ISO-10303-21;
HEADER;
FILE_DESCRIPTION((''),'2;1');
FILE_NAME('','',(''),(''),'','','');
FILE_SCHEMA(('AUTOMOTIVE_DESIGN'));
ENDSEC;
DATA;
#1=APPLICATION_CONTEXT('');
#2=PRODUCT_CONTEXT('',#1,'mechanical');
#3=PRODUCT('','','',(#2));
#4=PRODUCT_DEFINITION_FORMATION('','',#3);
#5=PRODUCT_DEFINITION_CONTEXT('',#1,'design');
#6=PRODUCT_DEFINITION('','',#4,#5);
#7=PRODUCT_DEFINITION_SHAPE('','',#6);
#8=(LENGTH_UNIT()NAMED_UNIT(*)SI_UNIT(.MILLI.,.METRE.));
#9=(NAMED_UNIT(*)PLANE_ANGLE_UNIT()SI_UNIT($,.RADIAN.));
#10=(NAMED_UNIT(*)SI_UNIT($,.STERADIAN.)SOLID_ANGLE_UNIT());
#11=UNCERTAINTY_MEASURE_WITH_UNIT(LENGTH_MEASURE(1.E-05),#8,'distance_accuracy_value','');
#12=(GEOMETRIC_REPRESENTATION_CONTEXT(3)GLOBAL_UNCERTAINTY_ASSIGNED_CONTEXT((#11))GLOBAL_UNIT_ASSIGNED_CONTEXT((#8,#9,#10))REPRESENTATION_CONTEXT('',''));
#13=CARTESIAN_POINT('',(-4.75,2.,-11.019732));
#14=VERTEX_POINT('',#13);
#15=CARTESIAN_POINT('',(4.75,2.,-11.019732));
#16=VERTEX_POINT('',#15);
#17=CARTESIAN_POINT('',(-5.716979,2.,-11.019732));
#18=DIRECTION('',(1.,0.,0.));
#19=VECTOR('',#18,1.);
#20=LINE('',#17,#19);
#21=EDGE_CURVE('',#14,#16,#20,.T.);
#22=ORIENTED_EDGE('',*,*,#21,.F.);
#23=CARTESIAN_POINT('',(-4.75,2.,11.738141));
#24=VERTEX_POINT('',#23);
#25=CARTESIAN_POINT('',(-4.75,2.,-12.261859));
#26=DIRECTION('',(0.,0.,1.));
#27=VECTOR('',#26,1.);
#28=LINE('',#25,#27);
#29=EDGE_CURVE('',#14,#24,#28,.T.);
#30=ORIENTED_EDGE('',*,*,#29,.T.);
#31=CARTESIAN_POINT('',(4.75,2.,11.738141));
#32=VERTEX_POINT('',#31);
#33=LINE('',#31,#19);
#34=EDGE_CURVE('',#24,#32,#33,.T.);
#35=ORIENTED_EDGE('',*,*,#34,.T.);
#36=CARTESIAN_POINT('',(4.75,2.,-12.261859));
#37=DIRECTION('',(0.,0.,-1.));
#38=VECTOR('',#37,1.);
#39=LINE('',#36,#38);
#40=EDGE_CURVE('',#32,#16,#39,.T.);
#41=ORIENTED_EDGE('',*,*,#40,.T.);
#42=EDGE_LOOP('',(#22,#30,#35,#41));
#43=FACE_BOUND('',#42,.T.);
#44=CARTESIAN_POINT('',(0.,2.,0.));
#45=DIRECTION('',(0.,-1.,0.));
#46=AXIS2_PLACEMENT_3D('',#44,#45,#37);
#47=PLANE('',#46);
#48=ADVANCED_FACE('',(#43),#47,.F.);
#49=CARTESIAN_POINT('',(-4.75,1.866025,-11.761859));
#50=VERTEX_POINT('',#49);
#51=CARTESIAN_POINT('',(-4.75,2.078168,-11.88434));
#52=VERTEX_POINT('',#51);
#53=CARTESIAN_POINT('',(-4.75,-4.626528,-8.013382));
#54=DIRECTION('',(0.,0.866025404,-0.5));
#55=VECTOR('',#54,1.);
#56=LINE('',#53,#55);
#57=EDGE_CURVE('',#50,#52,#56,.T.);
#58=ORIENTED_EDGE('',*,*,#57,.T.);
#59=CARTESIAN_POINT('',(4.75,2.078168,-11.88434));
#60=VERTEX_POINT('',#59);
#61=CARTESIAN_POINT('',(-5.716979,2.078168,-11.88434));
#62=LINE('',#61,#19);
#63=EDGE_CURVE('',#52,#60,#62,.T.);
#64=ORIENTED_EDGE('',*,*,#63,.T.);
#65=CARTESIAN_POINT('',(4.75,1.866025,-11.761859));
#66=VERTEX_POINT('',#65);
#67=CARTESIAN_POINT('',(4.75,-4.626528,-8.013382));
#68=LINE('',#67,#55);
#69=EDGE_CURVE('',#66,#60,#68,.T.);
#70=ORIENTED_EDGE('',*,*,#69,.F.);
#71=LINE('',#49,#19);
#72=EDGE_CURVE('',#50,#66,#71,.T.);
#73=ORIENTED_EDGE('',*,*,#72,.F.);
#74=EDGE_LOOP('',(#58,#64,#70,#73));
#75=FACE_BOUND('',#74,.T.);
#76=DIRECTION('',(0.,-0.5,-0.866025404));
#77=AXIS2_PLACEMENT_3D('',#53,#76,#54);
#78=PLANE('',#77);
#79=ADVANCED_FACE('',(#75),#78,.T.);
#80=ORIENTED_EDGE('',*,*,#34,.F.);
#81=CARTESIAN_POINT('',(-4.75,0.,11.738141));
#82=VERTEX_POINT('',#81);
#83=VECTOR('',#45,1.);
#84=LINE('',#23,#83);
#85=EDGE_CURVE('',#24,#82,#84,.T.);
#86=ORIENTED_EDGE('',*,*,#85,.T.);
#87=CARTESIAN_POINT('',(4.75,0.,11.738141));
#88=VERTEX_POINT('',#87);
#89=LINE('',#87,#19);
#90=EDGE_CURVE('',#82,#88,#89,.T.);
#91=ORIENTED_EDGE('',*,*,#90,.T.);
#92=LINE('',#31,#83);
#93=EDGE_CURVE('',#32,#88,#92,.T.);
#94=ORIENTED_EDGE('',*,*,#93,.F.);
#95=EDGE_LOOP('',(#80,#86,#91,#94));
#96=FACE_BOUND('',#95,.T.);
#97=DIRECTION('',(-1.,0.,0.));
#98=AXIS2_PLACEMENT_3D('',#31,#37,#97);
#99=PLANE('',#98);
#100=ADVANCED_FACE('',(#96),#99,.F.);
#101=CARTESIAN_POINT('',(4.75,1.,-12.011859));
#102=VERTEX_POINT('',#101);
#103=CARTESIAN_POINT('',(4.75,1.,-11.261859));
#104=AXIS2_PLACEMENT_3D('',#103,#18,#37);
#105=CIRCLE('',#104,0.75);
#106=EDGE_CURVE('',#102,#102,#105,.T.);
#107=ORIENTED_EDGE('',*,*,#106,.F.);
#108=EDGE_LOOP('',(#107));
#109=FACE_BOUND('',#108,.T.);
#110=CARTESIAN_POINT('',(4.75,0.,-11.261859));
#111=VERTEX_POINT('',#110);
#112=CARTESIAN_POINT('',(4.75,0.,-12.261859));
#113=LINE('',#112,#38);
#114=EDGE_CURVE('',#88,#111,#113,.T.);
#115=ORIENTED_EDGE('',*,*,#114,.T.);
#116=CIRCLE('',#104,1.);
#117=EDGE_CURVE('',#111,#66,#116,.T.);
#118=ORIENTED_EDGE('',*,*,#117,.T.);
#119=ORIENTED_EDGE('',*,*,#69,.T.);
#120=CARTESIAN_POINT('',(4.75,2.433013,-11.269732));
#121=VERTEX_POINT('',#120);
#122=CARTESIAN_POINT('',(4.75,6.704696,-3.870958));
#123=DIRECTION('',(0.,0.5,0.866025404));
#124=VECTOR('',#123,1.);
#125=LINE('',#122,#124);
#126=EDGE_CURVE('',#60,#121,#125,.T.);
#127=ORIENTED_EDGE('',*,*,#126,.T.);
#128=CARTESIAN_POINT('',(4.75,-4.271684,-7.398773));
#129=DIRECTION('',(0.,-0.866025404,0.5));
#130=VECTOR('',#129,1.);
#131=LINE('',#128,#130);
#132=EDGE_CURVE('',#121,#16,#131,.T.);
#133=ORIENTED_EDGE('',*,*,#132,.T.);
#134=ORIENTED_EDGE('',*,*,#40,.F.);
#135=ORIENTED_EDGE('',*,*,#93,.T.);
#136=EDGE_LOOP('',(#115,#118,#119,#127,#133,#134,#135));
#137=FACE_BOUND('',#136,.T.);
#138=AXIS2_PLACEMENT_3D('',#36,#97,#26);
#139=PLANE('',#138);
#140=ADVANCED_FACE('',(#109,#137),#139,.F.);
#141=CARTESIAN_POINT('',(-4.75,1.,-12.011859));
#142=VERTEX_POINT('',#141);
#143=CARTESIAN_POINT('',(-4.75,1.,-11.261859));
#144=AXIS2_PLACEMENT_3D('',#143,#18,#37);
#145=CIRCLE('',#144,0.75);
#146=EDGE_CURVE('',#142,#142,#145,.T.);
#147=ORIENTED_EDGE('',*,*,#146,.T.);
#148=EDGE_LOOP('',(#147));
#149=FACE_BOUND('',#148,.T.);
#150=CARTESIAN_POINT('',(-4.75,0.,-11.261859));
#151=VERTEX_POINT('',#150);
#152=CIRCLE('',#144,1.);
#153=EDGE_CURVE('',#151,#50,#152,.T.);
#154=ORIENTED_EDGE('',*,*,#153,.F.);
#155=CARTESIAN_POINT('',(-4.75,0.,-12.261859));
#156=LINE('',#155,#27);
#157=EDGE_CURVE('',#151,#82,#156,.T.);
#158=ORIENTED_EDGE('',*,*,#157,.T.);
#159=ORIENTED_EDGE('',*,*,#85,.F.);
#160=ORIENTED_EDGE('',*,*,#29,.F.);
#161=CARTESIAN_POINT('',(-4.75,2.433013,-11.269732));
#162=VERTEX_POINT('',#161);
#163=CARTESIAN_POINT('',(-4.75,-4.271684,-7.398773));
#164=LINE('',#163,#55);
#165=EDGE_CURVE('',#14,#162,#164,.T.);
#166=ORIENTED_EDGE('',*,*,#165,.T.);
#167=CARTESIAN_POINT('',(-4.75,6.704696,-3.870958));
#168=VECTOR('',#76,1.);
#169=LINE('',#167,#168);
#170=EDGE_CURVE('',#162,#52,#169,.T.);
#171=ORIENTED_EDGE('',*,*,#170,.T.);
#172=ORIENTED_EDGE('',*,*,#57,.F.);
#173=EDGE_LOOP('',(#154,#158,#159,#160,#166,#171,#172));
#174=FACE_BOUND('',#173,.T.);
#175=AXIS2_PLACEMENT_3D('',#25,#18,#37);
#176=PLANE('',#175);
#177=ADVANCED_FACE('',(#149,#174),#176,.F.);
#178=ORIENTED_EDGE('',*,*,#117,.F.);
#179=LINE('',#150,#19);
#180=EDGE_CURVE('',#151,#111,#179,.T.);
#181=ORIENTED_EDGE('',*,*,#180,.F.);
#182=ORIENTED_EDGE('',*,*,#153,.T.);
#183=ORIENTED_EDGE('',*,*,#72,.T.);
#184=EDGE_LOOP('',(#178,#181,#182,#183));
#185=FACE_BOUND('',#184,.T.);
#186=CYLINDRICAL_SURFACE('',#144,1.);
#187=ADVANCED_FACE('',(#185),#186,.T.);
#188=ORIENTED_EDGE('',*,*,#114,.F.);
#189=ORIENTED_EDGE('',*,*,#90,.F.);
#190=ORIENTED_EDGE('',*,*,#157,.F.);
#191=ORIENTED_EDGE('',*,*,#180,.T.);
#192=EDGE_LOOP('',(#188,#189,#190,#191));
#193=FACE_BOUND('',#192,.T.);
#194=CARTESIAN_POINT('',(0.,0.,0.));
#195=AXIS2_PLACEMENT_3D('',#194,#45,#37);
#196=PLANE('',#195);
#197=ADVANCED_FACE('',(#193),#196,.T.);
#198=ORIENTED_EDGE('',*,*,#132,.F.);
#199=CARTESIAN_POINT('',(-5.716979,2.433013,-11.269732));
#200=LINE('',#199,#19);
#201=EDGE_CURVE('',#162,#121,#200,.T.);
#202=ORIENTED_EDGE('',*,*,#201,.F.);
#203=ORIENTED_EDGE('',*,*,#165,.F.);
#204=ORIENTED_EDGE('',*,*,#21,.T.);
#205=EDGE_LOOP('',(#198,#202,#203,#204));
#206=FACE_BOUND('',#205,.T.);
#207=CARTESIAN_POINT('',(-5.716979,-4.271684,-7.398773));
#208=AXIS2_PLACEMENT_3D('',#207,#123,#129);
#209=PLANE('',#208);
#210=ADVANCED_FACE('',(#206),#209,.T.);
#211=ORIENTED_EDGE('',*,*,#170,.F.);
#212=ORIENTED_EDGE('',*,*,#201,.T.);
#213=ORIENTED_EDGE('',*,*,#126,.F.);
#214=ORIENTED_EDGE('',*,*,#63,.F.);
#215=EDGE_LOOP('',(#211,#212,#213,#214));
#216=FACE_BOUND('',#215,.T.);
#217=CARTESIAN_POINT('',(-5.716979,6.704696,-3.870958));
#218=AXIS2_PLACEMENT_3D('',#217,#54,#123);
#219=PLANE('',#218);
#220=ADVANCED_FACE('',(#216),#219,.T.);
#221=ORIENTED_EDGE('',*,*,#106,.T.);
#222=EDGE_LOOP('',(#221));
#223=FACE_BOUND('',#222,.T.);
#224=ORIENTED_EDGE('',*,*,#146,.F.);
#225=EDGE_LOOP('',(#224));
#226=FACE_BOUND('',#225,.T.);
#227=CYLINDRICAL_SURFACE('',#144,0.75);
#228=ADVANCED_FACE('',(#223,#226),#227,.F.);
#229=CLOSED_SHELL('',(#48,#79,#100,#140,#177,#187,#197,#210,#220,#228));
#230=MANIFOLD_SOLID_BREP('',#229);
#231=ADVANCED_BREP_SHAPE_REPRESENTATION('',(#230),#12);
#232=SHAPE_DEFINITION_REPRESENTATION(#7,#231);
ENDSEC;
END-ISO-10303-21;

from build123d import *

# Parameters (mm, degrees)
SKETCH_1_W          = 9.5
SKETCH_1_H          = 24
EXTRUDE_1_DEPTH     = 2
SKETCH_5_R          = 0.75
CUT_EXTRUDE_4_DEPTH = 10.5
EXTRUDE_2_DEPTH     = 9.5


with BuildPart() as part:
    # 草图1 → 凸台-拉伸1 (new body)
    with BuildSketch(Plane(origin=(0, 0, 0), x_dir=(1, 0, 0), z_dir=(0, 1, 0))):
        with Locations((0, 0.261859188)):
            Rectangle(SKETCH_1_W, SKETCH_1_H)
    extrude(amount=EXTRUDE_1_DEPTH)

    # 草图5 → 切除-拉伸4 (cut, through all)
    with BuildSketch(Plane(origin=(4.75, 0, 0), x_dir=(0, 0, -1), z_dir=(1, 0, 0))):
        with BuildLine():
            Line((12.261859188, 0), (12.261859188, 1))
            ThreePointArc((12.261859188, 1), (11.968965969, 0.292893219), (11.261859188, 0))
            Line((11.261859188, 0), (12.261859188, 0))
        make_face()
        with BuildLine():
            Line((11.839209457, 2), (11.761859188, 1.866025404))
            ThreePointArc((11.761859188, 1.866025404), (12.127884592, 1.5), (12.261859188, 1))
            Line((12.261859188, 1), (12.261859188, 2))
            Line((12.261859188, 2), (11.839209457, 2))
        make_face()
        with Locations((11.261859188, 1)):
            Circle(SKETCH_5_R)
    extrude(amount=-CUT_EXTRUDE_4_DEPTH, mode=Mode.SUBTRACT)

    # 草图5<4> → 凸台-拉伸2 (add)
    with BuildSketch(Plane(origin=(4.75, 0, 0), x_dir=(0, 0, -1), z_dir=(1, 0, 0))):
        Polygon((11.261859188, 2), (11.839209457, 2), (11.884340006, 2.078168404), (11.269731653, 2.433012702), (11.019731653, 2), align=None)
    extrude(amount=-EXTRUDE_2_DEPTH)


solid = part.part
